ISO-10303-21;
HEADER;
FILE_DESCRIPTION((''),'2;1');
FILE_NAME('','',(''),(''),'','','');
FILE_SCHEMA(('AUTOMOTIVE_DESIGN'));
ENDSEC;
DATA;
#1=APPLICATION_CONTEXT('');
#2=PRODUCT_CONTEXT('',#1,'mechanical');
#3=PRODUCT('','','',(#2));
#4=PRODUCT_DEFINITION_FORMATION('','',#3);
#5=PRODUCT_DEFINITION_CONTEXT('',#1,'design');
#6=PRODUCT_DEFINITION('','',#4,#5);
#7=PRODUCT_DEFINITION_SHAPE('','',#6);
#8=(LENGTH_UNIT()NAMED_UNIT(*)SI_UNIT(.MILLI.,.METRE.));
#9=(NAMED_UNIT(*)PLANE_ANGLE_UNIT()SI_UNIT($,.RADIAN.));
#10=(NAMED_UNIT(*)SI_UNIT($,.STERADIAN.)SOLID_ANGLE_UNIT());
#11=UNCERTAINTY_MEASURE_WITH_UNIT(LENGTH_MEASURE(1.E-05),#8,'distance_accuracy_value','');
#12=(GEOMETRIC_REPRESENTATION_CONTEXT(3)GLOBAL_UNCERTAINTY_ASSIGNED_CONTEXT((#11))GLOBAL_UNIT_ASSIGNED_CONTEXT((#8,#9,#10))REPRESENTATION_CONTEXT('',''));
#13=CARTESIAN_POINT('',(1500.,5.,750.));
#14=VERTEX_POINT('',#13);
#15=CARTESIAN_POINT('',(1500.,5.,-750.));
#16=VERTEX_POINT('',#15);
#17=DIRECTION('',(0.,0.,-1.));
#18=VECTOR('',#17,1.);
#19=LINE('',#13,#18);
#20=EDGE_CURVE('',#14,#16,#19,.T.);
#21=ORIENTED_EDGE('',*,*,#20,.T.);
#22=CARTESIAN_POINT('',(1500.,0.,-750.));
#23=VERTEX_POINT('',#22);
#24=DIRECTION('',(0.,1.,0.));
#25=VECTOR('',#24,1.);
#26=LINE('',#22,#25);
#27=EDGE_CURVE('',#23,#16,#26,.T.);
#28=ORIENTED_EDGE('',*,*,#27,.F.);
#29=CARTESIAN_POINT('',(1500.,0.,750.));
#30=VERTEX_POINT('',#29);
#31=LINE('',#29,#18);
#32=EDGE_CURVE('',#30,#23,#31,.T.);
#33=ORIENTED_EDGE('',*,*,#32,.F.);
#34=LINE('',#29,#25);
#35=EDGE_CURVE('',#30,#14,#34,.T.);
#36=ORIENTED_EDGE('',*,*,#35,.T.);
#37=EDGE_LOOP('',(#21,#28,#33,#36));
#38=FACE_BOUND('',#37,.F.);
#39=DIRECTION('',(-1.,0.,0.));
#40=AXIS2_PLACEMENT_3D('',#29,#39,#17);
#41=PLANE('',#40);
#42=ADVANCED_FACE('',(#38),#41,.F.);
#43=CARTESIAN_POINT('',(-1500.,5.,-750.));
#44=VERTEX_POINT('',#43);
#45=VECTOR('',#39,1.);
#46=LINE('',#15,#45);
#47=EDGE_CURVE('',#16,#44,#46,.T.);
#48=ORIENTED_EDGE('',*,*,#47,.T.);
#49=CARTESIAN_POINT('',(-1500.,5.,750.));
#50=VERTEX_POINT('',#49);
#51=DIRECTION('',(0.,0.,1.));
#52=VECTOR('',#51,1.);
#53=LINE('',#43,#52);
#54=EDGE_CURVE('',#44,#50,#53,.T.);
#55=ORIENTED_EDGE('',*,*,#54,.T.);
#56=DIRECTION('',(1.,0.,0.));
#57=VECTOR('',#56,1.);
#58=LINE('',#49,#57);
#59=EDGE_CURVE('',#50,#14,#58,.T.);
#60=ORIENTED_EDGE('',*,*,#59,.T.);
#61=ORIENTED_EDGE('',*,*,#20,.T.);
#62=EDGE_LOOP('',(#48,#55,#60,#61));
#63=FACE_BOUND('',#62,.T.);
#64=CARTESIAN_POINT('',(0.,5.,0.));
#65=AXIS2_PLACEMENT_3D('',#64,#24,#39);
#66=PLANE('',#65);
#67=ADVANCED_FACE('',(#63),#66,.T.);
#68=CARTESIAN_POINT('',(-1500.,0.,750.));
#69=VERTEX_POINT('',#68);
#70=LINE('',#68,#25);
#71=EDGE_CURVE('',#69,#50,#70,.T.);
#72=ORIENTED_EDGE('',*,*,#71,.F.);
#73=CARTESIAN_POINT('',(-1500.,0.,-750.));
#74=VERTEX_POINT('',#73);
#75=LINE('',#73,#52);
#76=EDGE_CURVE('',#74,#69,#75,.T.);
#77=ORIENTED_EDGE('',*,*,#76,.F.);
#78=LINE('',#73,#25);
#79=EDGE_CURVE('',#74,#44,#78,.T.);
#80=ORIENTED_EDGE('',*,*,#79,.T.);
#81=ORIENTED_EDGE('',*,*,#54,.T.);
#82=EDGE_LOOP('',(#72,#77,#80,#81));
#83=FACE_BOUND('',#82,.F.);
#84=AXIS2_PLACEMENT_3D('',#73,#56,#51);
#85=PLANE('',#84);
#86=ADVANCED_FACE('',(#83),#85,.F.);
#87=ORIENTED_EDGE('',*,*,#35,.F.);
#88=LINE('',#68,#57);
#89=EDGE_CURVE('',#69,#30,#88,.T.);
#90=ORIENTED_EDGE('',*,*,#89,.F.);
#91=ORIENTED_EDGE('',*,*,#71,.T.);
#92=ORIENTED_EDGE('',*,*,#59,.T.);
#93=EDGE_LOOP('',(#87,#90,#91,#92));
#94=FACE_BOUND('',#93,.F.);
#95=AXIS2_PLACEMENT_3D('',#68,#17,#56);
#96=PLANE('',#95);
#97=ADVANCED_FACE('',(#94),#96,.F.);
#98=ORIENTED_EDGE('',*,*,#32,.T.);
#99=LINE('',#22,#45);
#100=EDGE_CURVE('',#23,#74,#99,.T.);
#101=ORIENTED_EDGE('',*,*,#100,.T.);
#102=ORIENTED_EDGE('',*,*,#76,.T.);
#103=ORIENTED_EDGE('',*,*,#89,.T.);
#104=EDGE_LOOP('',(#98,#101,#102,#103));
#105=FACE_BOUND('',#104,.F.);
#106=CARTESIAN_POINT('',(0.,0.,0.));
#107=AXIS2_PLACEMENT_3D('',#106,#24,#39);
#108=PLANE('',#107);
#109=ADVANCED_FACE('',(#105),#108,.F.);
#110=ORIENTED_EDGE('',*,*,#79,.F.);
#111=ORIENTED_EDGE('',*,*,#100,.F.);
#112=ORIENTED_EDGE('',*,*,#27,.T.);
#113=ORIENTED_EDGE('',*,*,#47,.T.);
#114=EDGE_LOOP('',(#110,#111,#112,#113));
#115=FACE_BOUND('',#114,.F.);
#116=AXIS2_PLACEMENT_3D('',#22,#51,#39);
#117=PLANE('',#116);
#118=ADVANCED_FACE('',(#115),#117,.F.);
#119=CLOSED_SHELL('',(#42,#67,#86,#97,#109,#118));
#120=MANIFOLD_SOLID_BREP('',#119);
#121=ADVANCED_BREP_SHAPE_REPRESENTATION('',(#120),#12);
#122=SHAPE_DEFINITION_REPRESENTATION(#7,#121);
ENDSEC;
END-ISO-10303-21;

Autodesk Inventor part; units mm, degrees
ref_plane "YZ Plane" through (0, 0, 0) normal (1, 0, 0) x (0, 1, 0)
ref_plane "XZ Plane" through (0, 0, 0) normal (0, 1, 0) x (-1, 0, 0)
ref_plane "XY Plane" through (0, 0, 0) normal (0, 0, 1) x (1, 0, 0)
sketch "Эскиз1" plane through (0, 0, 0) normal (0, 1, 0) x (-1, 0, 0)
  line L0 (1500, 750) -> (-1500, 750)
  line L1 (-1500, 750) -> (-1500, -750)
  line L2 (-1500, -750) -> (1500, -750)
  line L3 (1500, -750) -> (1500, 750)
  line L4 (1500, 750) -> (-1500, -750) construction
  line L5 (-1500, 750) -> (1500, -750) construction
  point P0 (0, 0)
  dimension "d0" = 3000
  dimension "d1" = 1500
extrude "Пластина1" add sketch "Эскиз1" along normal blind 5
equation "\"d2\" = Толщина"
equation "\"Радиус_гибки\" = Толщина"
equation "\"Ширина_просечки\" = Толщина"
equation "\"Глубина_просечки\" = 0.5 * Толщина"
equation "\"Радиус_перехода\" = Радиус_гибки"
equation "\"Радиус_Якоби\" = Радиус_гибки"
equation "\"Размер_зазора\" = Толщина"
equation "\"Толщина\" = 5"
properties part number "0921"
